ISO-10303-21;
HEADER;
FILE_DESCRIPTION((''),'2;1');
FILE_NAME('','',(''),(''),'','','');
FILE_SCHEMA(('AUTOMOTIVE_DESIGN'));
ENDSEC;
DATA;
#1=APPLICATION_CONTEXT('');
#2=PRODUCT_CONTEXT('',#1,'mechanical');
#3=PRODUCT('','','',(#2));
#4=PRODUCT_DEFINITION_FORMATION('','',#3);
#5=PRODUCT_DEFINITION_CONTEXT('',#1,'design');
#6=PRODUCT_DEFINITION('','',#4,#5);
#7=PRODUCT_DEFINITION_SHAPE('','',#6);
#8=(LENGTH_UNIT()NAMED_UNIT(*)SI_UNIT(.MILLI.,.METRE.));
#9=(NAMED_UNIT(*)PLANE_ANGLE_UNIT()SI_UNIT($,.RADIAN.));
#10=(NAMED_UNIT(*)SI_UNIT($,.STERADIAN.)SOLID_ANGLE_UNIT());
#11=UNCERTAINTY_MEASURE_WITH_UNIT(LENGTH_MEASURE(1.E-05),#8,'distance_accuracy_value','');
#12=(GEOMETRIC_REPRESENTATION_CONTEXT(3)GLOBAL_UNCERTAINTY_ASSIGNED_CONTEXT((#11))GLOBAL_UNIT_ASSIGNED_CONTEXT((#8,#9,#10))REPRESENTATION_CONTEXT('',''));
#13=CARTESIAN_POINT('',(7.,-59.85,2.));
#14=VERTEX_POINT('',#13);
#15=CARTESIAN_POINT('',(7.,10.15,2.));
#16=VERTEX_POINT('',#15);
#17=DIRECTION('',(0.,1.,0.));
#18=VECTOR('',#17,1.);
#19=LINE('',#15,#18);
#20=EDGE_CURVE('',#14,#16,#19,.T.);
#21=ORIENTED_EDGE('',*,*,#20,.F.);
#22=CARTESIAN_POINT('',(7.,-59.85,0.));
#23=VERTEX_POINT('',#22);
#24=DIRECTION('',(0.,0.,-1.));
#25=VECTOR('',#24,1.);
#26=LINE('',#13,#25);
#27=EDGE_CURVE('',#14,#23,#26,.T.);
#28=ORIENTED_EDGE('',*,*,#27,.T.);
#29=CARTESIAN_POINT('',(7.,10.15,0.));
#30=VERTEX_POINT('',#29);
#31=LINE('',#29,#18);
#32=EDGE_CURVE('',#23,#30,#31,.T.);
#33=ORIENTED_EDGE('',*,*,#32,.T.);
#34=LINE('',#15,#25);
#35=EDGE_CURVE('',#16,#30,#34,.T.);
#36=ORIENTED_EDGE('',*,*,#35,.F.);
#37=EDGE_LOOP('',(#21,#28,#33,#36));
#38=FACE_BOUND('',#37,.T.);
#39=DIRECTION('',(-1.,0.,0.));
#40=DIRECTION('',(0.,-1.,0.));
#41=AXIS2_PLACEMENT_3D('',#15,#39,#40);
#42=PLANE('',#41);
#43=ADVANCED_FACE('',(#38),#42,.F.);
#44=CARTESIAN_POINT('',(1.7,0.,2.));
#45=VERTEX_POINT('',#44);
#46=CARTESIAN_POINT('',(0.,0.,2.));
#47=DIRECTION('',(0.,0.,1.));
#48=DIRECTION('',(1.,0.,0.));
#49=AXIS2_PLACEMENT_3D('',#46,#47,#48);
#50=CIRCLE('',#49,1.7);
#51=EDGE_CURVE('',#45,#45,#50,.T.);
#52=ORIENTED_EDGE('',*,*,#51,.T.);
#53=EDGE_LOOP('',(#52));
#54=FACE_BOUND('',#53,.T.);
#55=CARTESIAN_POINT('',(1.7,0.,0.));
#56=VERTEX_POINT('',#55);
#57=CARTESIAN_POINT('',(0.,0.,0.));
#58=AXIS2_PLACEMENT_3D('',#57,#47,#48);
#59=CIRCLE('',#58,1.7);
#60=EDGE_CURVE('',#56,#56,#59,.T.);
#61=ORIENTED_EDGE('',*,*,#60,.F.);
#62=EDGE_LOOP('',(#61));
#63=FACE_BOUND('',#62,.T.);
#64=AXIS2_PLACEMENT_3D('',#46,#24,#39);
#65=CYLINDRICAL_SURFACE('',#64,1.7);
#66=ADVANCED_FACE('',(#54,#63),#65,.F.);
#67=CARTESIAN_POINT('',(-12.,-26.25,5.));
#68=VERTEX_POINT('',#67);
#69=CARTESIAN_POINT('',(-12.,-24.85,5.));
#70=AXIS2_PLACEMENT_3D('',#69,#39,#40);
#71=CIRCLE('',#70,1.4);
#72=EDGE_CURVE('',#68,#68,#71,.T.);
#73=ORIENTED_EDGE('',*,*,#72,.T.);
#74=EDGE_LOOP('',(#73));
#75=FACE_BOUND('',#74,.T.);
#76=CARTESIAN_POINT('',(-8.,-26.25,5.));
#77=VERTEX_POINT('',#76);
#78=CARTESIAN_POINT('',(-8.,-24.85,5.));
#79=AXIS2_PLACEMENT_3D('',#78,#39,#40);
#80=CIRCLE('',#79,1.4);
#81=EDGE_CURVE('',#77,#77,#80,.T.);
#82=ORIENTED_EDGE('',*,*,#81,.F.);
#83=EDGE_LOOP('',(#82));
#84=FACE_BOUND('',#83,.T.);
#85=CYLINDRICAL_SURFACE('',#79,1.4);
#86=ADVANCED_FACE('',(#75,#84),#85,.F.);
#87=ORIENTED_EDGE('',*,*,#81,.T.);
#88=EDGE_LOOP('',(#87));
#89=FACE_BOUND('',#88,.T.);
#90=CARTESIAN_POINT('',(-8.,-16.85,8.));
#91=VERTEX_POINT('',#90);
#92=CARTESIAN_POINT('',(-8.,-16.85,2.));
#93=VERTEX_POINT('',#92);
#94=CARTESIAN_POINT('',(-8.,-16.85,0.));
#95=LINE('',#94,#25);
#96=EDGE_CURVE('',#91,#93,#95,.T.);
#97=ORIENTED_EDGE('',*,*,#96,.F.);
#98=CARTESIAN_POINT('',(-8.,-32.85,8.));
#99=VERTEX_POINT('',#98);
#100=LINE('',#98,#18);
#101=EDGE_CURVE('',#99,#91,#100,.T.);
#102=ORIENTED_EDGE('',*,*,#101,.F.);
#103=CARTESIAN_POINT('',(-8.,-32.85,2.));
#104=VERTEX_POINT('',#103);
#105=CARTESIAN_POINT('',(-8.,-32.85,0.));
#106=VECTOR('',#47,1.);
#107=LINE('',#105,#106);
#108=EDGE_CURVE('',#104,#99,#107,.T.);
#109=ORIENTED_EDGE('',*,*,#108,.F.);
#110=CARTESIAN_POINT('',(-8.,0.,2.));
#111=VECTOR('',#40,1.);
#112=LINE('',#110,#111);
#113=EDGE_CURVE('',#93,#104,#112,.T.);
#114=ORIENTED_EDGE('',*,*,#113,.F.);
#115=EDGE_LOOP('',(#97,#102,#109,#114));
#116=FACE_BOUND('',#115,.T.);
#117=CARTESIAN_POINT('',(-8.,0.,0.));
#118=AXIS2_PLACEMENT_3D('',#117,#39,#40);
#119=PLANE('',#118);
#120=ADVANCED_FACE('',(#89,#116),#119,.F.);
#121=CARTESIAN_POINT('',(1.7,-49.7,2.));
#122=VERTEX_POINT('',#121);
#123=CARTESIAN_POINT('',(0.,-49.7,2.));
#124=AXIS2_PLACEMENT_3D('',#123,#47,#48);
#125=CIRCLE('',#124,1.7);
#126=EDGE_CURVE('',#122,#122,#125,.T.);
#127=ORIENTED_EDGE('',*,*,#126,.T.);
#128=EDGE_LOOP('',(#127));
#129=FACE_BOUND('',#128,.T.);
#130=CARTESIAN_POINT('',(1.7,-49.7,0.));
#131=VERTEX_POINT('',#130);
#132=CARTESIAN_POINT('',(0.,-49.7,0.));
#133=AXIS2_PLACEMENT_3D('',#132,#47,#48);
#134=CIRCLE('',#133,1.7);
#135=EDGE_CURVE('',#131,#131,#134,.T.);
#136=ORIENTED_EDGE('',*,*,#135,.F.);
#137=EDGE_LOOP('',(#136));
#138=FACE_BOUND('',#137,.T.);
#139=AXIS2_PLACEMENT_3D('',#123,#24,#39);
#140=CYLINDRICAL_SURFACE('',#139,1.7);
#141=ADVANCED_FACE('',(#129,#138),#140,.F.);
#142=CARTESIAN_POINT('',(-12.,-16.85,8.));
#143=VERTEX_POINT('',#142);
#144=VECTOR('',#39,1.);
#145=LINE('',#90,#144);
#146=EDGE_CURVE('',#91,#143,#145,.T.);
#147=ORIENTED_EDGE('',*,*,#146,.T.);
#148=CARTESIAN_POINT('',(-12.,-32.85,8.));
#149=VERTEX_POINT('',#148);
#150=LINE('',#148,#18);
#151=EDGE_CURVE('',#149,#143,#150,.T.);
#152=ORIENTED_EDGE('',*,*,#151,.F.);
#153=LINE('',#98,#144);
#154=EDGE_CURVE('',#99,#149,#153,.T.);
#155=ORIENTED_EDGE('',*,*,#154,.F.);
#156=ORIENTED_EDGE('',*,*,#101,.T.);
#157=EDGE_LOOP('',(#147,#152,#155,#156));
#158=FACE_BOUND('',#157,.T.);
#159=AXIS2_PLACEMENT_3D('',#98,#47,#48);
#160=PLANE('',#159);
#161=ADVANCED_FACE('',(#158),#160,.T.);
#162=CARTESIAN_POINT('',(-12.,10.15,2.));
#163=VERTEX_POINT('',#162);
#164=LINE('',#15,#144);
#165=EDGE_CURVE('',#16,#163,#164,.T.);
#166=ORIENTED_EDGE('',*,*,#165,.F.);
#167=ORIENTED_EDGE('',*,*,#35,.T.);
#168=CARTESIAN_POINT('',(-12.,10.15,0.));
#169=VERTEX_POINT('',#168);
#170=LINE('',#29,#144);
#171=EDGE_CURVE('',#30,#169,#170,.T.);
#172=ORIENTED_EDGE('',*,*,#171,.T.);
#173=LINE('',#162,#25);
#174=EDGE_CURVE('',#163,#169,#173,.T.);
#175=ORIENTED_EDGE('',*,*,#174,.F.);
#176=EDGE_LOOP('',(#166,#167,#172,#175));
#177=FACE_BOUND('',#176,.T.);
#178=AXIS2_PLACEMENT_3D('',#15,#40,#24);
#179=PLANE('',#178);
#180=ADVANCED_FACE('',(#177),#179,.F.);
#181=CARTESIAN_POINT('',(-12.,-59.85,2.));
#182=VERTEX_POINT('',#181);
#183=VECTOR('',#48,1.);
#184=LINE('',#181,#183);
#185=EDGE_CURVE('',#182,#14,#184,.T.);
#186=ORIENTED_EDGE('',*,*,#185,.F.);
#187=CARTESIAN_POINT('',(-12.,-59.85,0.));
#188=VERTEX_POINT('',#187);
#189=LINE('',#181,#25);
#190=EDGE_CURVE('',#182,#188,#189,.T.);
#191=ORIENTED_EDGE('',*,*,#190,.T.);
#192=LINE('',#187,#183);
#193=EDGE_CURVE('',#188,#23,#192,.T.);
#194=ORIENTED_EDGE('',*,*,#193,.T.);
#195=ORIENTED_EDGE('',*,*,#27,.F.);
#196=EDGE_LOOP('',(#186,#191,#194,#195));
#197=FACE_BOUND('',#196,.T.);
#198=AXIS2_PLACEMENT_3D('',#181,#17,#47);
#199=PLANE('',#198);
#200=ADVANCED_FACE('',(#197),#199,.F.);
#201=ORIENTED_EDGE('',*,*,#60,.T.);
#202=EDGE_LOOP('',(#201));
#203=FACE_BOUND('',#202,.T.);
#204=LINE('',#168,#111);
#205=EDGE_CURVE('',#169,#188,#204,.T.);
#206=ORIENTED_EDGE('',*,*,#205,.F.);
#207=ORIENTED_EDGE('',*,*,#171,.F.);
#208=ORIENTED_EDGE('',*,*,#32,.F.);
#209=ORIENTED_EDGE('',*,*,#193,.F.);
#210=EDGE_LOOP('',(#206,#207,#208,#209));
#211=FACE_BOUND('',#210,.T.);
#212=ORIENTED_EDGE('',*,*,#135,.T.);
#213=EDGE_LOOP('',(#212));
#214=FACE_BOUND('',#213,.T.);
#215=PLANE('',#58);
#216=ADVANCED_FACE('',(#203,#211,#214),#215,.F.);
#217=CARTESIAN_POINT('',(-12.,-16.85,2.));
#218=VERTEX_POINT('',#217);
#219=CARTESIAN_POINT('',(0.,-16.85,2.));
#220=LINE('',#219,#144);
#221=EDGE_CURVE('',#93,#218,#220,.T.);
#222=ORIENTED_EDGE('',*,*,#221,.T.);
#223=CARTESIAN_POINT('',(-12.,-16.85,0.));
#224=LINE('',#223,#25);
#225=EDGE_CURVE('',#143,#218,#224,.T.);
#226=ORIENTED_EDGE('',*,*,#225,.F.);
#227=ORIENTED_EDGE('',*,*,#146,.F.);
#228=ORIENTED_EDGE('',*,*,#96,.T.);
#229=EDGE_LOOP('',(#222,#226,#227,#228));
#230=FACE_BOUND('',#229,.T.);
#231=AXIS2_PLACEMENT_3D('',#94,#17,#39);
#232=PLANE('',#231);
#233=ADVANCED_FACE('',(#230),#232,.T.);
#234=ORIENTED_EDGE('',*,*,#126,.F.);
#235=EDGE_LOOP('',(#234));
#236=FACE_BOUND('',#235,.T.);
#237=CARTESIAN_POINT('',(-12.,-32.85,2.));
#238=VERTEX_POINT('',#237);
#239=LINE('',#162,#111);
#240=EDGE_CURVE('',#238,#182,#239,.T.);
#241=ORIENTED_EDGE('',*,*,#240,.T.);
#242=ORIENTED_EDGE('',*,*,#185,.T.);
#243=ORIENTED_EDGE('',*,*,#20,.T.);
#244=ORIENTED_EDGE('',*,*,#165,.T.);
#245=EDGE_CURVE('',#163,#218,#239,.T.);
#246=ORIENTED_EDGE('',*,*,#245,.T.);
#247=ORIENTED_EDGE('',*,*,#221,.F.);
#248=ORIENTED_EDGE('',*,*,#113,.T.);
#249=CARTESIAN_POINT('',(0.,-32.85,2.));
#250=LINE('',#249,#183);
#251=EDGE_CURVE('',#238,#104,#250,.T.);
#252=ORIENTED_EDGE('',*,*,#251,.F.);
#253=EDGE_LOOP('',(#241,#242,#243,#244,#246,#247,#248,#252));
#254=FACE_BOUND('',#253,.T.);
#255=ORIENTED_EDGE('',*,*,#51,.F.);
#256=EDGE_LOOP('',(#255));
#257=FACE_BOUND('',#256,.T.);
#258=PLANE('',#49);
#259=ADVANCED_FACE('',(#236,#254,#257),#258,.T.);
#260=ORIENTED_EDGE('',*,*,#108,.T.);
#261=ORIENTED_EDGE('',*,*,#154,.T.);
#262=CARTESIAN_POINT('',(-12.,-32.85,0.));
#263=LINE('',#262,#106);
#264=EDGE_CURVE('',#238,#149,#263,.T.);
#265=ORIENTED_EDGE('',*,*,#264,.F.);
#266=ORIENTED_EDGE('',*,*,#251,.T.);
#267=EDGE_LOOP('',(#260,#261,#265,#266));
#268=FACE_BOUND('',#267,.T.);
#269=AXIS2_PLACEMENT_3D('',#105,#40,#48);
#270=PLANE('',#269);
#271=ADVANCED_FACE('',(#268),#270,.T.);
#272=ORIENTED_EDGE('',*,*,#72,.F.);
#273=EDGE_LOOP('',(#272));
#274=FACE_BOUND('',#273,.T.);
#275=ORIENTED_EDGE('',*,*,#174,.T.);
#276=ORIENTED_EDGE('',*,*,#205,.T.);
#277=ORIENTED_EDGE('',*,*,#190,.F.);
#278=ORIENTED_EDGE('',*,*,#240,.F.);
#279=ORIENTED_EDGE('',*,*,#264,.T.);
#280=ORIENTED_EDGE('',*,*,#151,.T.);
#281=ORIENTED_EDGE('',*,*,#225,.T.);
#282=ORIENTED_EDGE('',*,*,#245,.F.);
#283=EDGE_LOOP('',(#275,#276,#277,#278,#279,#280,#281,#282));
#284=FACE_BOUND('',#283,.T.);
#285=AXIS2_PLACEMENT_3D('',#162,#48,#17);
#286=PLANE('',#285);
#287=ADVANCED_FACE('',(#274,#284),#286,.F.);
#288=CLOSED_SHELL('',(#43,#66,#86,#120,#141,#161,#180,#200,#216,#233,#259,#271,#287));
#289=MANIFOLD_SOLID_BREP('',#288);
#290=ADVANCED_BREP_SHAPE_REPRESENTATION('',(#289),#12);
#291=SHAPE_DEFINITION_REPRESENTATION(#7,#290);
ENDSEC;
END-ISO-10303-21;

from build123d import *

# Parameters (mm, degrees)
ESQUISSE1_W             = 19
ESQUISSE1_H             = 70
ESQUISSE1_R             = 1.7
BOSS_EXTRU_1_DEPTH      = 2
ESQUISSE2_W             = 8
ESQUISSE2_H             = 16
BOSS_EXTRU_2_DEPTH      = 4
ESQUISSE3_R             = 1.4
ENL_V_MAT_EXTRU_1_DEPTH = 4


with BuildPart() as part:
    # Esquisse1 → Boss.-Extru.1 (new body)
    with BuildSketch(Plane.XY):
        with Locations((-2.5, -24.85)):
            Rectangle(ESQUISSE1_W, ESQUISSE1_H)
        Circle(ESQUISSE1_R, mode=Mode.SUBTRACT)
        with Locations((0, -49.7)):
            Circle(ESQUISSE1_R, mode=Mode.SUBTRACT)
    extrude(amount=BOSS_EXTRU_1_DEPTH)

    # Esquisse2 → Boss.-Extru.2 (add)
    with BuildSketch(Plane.ZY.offset(12)):
        with Locations((4, -24.85)):
            Rectangle(ESQUISSE2_W, ESQUISSE2_H)
    extrude(amount=-BOSS_EXTRU_2_DEPTH)

    # Esquisse3 → Enlèv. mat.-Extru.1 (cut)
    with BuildSketch(Plane.ZY.offset(12)):
        with Locations((5, -24.85)):
            Circle(ESQUISSE3_R)
    extrude(amount=-ENL_V_MAT_EXTRU_1_DEPTH, mode=Mode.SUBTRACT)


solid = part.part
